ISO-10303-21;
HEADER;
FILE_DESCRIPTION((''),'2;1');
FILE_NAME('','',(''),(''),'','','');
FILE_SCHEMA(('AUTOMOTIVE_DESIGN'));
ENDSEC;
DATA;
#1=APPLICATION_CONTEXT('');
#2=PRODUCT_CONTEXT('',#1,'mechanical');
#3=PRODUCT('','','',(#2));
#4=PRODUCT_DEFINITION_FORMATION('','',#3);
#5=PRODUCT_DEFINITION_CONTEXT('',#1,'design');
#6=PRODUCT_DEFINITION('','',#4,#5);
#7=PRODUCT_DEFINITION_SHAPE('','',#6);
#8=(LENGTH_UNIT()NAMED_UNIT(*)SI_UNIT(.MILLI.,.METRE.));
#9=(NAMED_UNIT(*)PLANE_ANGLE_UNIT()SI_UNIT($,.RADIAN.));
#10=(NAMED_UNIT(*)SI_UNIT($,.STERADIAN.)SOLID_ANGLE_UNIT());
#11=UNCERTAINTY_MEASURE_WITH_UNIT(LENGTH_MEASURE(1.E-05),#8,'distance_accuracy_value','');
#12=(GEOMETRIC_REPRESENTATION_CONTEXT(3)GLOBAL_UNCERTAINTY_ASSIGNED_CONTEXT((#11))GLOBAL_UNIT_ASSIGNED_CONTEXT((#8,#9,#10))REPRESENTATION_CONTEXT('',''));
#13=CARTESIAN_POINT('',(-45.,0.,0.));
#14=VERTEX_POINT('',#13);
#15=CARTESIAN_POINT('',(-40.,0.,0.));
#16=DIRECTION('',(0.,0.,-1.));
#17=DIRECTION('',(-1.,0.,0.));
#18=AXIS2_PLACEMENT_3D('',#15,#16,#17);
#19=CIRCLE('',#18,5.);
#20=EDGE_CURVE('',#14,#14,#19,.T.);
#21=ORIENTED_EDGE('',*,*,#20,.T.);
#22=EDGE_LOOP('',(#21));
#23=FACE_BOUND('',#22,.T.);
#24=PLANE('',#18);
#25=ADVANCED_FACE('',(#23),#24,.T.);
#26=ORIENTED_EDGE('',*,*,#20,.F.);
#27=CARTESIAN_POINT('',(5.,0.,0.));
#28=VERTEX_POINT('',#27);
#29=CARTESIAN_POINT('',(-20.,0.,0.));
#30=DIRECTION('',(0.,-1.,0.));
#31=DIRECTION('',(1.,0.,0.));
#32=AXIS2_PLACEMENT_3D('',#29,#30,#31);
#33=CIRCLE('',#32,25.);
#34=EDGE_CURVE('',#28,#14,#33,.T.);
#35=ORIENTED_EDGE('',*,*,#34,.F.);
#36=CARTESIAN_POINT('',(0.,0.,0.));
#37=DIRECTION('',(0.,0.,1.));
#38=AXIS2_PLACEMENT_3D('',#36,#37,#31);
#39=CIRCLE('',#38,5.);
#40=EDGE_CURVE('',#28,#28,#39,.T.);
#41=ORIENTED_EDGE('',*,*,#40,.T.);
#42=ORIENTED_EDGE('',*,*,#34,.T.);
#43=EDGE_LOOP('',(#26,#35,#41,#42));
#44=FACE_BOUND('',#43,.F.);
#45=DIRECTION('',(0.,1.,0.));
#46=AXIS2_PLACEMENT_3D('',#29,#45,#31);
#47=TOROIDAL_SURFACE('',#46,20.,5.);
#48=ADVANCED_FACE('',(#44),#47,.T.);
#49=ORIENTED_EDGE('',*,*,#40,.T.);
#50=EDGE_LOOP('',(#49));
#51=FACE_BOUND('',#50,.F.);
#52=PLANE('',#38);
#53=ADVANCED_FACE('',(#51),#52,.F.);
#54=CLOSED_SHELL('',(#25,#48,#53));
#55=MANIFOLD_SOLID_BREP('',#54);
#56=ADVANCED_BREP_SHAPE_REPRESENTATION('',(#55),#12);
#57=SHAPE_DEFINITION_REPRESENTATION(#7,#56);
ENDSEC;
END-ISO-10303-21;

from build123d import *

# Parameters (mm, degrees)
F0_R     = 5
F1_ANGLE = 180


with BuildPart() as f1:
    # F0 (on Top) → F1 (revolve)
    with BuildSketch(Plane.XY):
        Circle(F0_R)
    revolve(axis=Axis((-20, -3.136792, 0), (0, -1, 0)), revolution_arc=F1_ANGLE)


solid = f1.part
